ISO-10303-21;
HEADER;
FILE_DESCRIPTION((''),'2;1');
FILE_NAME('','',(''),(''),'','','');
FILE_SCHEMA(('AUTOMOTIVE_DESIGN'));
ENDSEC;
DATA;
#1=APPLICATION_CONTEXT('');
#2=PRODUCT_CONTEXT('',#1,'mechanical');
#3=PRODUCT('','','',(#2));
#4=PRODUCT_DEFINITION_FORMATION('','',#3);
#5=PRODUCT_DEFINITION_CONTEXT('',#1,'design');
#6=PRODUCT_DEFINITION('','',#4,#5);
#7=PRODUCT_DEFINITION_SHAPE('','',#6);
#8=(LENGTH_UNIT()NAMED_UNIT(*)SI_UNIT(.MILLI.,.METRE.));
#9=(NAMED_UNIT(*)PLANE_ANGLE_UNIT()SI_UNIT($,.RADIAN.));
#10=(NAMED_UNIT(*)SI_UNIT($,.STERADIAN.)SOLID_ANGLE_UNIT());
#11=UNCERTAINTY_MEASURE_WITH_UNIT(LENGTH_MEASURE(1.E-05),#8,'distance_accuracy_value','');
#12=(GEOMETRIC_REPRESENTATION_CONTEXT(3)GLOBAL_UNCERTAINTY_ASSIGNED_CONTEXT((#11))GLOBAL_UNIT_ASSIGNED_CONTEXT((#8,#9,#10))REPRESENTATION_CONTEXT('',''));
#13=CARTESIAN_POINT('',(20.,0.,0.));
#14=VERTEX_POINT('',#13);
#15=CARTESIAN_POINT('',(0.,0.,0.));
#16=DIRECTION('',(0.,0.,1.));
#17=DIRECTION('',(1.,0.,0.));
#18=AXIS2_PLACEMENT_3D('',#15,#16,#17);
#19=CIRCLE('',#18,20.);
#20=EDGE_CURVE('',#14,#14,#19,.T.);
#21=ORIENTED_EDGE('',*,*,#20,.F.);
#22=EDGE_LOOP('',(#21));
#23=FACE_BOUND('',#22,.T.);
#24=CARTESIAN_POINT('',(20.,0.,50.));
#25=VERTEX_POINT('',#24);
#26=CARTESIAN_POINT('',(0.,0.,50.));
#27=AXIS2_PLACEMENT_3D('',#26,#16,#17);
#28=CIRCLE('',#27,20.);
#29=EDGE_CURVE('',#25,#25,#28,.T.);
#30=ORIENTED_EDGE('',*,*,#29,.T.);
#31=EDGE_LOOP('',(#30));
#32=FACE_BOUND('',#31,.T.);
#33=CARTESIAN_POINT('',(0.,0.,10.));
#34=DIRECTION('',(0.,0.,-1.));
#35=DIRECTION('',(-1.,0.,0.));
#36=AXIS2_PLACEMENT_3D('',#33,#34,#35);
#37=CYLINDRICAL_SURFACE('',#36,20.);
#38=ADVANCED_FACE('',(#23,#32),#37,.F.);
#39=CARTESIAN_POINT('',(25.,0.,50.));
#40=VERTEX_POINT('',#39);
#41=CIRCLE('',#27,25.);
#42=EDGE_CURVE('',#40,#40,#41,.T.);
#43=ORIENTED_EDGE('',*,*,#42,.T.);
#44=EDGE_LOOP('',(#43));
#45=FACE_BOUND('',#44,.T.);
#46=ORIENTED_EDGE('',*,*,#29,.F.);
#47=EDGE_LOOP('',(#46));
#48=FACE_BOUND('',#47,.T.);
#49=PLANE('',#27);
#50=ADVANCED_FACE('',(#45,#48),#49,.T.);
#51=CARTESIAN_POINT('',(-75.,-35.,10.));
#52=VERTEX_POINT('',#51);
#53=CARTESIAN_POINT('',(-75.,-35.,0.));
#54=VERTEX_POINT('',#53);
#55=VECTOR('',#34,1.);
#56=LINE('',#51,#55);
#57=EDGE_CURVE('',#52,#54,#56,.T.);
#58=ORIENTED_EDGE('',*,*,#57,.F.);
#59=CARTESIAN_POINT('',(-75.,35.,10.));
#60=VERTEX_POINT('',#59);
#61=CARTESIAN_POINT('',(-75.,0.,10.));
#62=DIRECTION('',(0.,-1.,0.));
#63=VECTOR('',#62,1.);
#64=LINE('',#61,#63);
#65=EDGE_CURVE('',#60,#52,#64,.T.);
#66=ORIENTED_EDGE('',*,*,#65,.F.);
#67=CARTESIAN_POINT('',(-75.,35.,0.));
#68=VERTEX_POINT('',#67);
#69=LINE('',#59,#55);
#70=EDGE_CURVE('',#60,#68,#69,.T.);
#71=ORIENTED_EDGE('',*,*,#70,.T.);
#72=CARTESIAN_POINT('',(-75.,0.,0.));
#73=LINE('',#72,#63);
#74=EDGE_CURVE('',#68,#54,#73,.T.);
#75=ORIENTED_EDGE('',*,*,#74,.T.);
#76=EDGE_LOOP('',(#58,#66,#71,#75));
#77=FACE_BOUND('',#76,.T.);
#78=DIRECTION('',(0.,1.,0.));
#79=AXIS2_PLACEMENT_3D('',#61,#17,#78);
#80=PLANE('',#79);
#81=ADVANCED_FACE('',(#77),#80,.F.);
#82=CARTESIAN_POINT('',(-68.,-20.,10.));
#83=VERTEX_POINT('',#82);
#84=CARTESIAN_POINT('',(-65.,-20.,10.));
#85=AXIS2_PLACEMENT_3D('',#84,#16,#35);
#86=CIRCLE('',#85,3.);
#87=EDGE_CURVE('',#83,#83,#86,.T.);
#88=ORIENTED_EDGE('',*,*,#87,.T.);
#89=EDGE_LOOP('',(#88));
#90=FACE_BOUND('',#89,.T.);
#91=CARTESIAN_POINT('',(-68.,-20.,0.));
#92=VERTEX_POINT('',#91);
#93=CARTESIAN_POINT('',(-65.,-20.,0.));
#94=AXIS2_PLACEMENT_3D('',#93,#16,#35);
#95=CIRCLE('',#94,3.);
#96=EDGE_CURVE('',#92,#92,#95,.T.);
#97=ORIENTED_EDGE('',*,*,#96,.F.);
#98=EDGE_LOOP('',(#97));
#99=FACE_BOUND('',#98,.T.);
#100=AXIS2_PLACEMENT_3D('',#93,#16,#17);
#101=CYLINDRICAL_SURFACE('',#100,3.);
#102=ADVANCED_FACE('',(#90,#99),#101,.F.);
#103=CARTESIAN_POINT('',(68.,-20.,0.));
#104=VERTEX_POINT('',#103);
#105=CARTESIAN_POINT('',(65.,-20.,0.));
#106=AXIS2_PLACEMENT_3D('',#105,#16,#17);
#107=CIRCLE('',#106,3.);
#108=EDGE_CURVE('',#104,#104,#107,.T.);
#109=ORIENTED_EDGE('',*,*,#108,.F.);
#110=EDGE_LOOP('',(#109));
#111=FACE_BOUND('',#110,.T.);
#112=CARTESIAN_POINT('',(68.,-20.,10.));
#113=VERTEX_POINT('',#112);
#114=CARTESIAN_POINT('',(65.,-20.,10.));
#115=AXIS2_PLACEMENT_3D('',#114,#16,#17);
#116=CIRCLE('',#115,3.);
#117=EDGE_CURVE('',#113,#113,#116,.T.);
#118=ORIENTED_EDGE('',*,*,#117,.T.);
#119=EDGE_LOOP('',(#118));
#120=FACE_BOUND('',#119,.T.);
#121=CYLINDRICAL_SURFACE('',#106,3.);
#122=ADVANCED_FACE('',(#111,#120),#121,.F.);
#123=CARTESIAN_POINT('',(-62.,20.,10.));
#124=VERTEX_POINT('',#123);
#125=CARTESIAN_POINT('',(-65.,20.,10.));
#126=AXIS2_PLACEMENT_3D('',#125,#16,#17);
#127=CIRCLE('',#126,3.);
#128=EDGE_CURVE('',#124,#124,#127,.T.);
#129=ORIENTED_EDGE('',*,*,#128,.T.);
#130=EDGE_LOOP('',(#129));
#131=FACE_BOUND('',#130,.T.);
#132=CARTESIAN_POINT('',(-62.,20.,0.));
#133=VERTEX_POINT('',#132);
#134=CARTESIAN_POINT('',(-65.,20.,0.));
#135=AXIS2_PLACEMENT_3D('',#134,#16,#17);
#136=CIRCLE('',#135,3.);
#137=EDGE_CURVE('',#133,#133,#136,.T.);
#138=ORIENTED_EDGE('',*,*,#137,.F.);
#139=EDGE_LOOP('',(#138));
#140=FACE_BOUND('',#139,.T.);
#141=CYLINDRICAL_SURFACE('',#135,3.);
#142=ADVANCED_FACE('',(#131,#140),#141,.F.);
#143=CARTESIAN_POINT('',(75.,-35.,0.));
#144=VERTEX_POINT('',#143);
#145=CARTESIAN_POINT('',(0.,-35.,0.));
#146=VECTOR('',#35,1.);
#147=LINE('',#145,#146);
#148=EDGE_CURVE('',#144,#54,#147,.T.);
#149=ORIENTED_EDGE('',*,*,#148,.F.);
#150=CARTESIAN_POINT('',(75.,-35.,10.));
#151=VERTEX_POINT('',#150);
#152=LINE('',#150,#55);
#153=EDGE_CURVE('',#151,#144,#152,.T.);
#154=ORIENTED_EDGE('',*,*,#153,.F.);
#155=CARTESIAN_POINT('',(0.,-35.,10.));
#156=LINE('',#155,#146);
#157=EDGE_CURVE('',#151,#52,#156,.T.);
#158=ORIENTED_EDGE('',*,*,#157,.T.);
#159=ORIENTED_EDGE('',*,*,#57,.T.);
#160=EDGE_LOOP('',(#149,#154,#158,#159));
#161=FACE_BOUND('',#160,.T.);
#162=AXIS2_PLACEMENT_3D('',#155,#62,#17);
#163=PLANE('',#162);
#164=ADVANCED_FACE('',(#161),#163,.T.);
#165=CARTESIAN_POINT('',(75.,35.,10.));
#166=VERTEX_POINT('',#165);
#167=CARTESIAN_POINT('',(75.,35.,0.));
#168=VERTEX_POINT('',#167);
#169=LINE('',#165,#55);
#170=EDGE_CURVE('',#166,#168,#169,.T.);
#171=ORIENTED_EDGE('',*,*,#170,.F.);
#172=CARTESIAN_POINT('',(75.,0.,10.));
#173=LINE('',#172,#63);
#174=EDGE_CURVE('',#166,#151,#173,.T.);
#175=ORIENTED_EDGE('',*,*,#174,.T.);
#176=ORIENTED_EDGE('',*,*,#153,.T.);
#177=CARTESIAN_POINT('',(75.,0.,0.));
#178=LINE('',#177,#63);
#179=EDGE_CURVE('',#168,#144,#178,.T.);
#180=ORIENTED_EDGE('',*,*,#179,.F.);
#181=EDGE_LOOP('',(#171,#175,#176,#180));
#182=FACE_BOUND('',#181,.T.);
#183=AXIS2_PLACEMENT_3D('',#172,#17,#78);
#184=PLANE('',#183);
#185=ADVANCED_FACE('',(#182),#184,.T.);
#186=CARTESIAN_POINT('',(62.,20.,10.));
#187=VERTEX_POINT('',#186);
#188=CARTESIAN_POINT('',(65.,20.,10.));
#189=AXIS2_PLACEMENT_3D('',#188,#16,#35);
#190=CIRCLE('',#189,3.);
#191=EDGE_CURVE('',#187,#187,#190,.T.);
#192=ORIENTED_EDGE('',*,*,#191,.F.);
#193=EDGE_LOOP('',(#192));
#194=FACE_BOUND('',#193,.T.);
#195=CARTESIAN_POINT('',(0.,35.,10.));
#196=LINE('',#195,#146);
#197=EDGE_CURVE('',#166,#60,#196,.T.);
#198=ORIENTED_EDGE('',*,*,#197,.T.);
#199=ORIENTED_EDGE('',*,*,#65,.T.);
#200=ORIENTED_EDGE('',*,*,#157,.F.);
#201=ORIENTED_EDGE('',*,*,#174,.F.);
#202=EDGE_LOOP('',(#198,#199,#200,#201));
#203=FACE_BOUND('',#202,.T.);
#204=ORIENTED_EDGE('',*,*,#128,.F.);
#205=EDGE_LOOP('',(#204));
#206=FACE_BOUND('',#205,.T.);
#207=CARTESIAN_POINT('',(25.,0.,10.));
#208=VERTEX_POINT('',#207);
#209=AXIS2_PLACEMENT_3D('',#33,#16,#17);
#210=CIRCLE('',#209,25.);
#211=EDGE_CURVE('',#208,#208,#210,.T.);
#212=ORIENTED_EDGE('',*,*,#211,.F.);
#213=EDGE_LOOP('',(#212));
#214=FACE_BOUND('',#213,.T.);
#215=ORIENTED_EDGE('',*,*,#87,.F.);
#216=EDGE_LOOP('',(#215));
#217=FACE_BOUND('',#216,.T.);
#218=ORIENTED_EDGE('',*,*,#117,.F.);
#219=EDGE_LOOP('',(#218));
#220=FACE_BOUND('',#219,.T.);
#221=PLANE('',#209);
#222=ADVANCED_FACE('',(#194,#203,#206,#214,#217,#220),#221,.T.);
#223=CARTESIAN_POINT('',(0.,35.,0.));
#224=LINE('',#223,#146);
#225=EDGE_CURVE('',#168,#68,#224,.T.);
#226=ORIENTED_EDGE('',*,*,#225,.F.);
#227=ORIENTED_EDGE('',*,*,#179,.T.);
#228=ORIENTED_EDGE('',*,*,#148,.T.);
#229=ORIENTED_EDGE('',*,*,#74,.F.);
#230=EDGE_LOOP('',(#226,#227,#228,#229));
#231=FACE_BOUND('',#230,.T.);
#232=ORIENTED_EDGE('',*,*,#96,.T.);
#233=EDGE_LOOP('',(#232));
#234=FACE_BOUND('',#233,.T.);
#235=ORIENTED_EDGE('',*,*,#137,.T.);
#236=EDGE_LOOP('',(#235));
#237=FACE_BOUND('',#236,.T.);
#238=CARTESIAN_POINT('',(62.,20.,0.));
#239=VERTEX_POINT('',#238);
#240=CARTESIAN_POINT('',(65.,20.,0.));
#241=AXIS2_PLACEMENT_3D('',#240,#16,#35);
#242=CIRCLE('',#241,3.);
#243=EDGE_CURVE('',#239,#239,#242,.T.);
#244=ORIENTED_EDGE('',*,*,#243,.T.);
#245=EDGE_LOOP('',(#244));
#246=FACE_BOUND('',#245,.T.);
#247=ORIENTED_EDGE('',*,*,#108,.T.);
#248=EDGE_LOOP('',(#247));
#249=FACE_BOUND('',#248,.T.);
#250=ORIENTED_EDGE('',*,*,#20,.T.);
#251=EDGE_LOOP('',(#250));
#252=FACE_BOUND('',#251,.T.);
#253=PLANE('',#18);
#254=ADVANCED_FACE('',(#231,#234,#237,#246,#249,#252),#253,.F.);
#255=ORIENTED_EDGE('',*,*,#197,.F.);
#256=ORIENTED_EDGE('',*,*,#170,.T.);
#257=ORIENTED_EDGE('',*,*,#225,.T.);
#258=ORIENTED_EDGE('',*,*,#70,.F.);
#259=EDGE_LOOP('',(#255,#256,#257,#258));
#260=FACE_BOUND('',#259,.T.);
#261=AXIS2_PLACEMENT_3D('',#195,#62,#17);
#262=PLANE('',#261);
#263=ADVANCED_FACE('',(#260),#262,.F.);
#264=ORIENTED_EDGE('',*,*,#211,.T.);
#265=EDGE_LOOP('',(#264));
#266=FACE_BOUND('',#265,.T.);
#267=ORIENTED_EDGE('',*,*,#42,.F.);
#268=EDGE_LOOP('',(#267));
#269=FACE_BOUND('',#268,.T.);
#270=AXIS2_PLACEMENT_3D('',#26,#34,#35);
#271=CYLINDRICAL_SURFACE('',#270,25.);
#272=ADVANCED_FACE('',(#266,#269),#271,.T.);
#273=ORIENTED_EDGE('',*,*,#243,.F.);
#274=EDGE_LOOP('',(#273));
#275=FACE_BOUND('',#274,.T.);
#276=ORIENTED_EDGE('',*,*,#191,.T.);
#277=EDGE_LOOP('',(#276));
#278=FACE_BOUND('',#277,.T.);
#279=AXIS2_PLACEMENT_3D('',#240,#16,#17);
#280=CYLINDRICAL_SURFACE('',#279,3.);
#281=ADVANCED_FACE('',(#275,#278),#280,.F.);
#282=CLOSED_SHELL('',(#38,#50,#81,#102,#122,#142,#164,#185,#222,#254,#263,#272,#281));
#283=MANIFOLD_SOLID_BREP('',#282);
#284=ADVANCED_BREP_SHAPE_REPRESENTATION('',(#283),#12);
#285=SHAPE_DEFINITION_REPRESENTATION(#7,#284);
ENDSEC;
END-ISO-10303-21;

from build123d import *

# Parameters (mm, degrees)
SKETCH1_W           = 150
SKETCH1_H           = 70
SKETCH1_R           = 25
SKETCH1_R_2         = 20
BOSS_EXTRUDE1_DEPTH = 10
BOSS_EXTRUDE2_START = 10
SKETCH1_3_R         = 25
SKETCH1_3_R_2       = 20
BOSS_EXTRUDE2_DEPTH = 40
SKETCH6_R           = 3
CUT_EXTRUDE1_DEPTH  = 11


with BuildPart() as part:
    # Sketch1 → Boss-Extrude1 (new body)
    with BuildSketch(Plane.XY):
        Rectangle(SKETCH1_W, SKETCH1_H)
        Circle(SKETCH1_R, mode=Mode.SUBTRACT)
        Circle(SKETCH1_R)
        Circle(SKETCH1_R_2, mode=Mode.SUBTRACT)
    extrude(amount=BOSS_EXTRUDE1_DEPTH)

    # Sketch1<3> → Boss-Extrude2 (add)
    with BuildSketch(Plane.XY.offset(BOSS_EXTRUDE2_START)):
        Circle(SKETCH1_3_R)
        Circle(SKETCH1_3_R_2, mode=Mode.SUBTRACT)
    extrude(amount=BOSS_EXTRUDE2_DEPTH)

    # Sketch6 → Cut-Extrude1 (cut, through all)
    with BuildSketch(Plane.XY.offset(10)):
        with Locations((-65, 20)):
            Circle(SKETCH6_R)
        with Locations((-65, -20)):
            Circle(SKETCH6_R)
        with Locations((65, -20)):
            Circle(SKETCH6_R)
        with Locations((65, 20)):
            Circle(SKETCH6_R)
    extrude(amount=-CUT_EXTRUDE1_DEPTH, mode=Mode.SUBTRACT)


solid = part.part
